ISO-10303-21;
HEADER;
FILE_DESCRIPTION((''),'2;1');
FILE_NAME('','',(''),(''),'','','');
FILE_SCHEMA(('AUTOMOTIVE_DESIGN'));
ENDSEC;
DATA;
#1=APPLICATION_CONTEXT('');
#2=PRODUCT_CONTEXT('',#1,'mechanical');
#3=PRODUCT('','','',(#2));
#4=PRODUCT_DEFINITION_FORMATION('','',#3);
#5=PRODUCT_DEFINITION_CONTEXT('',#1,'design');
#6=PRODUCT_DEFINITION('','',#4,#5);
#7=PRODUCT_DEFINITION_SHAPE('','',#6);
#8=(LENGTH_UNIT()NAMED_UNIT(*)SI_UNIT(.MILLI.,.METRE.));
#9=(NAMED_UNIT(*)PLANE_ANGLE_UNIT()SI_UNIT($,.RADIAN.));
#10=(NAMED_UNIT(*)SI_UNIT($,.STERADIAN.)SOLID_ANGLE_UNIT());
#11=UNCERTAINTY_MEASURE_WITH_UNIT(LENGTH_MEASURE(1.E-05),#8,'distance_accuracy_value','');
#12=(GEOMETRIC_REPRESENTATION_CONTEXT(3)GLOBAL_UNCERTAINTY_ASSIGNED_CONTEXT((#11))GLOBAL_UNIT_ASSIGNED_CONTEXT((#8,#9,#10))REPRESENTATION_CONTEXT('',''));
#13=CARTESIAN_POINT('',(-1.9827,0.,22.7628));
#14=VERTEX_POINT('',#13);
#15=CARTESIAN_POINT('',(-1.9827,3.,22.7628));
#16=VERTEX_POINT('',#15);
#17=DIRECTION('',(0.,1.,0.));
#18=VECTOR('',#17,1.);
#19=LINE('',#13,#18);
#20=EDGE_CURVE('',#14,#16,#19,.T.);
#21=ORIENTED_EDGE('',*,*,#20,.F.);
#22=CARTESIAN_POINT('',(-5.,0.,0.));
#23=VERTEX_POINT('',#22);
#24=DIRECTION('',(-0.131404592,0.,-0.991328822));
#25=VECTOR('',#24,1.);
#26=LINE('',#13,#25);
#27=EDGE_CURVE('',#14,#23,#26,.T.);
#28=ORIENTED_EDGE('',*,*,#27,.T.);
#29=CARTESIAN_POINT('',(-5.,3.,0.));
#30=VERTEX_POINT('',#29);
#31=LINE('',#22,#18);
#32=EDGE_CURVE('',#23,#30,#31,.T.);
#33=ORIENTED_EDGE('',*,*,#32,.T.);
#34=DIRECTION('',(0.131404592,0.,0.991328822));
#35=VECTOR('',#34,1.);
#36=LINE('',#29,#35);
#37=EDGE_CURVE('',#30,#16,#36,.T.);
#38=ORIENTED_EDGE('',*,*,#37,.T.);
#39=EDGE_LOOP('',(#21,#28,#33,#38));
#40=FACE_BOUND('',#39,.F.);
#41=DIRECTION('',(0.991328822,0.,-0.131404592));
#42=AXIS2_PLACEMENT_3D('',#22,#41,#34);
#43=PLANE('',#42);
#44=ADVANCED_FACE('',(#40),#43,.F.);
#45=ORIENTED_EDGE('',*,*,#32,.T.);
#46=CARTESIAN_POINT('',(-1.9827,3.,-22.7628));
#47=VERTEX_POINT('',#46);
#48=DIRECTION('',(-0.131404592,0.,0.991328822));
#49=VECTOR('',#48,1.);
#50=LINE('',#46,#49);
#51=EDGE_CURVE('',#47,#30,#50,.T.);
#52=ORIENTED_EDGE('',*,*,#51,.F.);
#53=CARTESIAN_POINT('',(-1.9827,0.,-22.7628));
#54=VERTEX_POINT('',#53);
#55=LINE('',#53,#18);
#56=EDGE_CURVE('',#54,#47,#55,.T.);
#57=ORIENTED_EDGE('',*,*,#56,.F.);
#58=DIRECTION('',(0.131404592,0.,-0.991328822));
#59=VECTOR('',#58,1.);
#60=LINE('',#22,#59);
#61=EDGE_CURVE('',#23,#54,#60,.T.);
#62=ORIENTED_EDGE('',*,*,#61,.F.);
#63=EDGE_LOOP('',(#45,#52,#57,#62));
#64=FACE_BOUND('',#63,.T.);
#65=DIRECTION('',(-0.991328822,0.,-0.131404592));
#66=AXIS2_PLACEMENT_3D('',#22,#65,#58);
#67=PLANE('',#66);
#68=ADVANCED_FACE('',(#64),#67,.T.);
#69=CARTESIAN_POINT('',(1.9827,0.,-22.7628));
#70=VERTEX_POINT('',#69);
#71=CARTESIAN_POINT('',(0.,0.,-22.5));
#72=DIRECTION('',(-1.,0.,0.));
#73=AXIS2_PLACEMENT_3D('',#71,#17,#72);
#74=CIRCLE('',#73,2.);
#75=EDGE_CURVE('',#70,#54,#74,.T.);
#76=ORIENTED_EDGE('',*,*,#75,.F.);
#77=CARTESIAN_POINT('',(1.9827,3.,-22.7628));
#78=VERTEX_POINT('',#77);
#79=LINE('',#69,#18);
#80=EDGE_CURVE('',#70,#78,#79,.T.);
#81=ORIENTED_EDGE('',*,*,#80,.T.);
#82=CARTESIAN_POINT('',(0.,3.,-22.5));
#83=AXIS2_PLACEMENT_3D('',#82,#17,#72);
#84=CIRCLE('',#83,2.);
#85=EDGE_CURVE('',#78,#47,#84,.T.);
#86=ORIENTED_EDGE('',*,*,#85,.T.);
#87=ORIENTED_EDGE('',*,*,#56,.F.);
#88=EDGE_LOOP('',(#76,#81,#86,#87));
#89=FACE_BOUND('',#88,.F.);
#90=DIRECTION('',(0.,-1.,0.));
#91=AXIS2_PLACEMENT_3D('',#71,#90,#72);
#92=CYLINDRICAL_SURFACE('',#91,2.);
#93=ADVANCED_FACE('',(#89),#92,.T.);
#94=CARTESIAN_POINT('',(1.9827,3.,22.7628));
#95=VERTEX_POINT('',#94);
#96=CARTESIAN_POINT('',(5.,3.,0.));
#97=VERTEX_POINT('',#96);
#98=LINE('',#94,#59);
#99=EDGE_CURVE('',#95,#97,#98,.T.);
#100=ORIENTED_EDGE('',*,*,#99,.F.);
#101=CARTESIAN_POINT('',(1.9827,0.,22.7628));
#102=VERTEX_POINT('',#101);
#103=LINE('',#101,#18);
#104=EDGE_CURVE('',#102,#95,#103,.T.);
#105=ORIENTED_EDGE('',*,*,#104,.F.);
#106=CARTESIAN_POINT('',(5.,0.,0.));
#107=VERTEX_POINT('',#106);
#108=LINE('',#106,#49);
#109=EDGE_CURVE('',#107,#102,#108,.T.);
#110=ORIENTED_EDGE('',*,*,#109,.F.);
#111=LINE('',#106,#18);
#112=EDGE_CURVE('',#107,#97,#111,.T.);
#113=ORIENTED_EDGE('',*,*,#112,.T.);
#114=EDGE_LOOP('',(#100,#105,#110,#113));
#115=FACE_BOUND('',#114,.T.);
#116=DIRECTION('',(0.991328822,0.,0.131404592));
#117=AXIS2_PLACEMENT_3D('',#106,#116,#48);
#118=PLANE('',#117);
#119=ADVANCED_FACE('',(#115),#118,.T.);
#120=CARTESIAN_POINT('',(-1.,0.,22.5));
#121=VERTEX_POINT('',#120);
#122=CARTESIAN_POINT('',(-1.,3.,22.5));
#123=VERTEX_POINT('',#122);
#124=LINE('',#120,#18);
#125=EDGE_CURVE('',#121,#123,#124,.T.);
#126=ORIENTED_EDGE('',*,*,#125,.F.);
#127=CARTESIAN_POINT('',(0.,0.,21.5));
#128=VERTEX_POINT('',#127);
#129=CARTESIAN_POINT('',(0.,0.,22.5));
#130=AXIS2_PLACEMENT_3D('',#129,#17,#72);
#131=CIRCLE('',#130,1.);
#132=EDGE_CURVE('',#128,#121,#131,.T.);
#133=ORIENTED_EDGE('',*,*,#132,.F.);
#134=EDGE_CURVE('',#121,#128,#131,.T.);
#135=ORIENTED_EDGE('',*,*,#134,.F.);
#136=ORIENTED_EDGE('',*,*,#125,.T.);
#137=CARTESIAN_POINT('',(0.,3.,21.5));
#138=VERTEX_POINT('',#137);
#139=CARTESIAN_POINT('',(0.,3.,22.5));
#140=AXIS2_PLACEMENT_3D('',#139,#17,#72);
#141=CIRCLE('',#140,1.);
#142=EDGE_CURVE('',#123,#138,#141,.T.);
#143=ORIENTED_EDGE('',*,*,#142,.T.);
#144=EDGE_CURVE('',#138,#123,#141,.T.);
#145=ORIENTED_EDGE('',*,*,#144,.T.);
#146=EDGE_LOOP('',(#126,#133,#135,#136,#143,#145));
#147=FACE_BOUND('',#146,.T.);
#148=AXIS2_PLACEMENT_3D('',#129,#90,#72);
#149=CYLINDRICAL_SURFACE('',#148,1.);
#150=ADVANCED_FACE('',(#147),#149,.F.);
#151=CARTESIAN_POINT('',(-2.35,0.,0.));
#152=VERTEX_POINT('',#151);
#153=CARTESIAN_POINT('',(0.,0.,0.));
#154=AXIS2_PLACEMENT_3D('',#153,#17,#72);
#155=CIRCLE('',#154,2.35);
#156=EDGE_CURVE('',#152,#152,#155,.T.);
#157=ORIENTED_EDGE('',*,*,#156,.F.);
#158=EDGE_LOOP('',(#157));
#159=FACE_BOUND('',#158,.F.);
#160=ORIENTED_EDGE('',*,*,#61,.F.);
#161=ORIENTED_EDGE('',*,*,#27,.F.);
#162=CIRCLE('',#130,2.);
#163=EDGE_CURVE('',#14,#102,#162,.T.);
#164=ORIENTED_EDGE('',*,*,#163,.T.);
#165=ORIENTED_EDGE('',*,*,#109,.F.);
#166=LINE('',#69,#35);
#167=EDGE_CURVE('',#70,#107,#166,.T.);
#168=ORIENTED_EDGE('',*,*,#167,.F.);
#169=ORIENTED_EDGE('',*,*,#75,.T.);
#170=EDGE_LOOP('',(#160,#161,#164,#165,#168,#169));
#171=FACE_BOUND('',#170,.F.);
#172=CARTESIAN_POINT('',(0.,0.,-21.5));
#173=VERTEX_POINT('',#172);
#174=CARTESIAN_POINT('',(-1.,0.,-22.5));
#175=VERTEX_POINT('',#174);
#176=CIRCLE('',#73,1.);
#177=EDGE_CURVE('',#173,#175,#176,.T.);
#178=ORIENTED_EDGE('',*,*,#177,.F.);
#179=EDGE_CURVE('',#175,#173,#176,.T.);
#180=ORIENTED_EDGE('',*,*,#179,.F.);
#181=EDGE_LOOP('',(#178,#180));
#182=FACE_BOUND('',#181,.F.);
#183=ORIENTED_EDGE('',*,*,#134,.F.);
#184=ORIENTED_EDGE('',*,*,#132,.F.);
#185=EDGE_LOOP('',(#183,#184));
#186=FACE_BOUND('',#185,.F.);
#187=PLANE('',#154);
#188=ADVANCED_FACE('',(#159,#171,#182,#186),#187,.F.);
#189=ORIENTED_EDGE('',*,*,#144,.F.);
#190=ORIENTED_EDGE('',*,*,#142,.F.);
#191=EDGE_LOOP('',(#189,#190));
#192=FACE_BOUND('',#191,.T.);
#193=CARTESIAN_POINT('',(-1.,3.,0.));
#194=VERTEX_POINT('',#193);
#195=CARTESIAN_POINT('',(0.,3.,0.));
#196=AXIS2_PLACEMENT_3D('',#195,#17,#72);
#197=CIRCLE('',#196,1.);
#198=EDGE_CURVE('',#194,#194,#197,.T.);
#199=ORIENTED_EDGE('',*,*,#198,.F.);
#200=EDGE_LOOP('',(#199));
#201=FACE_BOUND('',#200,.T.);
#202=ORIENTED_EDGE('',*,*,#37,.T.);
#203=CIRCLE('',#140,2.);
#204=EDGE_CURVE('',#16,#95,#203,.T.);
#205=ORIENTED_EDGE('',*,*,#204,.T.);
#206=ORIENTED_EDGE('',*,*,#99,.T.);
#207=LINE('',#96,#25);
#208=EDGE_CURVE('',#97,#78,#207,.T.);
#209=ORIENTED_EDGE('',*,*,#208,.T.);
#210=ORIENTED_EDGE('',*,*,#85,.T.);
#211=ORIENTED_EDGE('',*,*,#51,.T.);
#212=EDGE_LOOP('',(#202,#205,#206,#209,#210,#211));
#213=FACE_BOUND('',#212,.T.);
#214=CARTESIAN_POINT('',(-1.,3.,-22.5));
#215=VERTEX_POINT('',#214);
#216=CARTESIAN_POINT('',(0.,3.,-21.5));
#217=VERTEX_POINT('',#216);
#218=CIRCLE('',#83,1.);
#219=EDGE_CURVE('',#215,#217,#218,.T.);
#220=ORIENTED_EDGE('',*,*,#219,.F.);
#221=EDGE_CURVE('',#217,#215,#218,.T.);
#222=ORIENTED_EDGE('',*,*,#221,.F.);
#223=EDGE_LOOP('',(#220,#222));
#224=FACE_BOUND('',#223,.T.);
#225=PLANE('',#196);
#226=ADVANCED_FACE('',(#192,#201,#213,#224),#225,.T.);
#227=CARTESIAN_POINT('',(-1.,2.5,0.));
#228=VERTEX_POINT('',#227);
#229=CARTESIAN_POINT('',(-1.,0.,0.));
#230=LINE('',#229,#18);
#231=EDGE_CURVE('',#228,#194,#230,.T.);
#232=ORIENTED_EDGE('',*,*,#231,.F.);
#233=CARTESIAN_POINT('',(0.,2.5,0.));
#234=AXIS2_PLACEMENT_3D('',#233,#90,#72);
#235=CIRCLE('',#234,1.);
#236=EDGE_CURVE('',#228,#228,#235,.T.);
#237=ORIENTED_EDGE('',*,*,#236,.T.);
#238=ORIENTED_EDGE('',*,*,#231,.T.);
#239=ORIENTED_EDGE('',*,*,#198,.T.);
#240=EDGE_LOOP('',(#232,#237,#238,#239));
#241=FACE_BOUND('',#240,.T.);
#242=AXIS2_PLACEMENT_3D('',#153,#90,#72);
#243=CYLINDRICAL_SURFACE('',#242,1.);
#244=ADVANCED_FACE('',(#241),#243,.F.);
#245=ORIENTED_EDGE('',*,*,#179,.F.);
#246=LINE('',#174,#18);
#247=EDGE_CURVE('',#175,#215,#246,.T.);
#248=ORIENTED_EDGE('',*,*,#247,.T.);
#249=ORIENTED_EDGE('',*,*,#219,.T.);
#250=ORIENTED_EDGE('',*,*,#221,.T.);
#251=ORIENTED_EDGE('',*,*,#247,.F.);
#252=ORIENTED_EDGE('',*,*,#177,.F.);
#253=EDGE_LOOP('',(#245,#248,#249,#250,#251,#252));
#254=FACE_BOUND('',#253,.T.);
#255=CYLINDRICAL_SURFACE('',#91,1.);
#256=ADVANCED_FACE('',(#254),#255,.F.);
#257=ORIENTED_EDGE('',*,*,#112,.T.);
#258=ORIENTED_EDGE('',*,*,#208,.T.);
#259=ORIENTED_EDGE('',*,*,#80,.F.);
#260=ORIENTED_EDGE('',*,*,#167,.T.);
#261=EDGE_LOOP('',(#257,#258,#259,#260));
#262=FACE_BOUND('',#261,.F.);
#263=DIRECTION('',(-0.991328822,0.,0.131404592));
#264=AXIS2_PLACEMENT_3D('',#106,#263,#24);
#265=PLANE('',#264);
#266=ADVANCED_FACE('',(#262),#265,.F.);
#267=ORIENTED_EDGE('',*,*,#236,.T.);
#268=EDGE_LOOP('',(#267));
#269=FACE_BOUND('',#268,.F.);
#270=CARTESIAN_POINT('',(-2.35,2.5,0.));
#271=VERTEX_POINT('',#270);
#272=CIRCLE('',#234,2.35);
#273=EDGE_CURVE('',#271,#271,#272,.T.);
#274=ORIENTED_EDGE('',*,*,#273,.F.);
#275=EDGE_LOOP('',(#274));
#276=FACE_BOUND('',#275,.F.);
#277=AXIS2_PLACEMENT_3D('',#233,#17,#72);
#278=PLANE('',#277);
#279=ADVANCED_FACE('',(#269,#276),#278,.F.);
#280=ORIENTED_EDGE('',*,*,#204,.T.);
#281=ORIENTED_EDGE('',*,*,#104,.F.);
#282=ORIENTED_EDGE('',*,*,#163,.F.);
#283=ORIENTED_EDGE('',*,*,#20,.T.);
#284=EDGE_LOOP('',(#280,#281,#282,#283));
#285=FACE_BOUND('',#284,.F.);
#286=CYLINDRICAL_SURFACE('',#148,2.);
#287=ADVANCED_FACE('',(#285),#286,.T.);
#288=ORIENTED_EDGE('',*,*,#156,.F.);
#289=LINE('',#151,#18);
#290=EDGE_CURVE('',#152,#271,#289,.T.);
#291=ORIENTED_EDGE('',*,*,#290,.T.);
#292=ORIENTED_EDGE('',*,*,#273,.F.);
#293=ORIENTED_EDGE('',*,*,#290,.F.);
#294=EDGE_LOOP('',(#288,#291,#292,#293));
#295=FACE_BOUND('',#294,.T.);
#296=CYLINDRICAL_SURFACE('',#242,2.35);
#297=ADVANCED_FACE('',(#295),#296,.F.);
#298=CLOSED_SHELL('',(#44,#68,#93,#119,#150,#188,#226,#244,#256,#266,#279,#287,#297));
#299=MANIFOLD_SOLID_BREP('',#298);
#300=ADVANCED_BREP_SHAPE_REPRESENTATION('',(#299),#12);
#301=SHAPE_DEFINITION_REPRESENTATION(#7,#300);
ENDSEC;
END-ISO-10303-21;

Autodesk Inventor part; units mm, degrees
ref_plane "YZ Plane" through (0, 0, 0) normal (1, 0, 0) x (0, 1, 0)
ref_plane "XZ Plane" through (0, 0, 0) normal (0, 1, 0) x (-1, 0, 0)
ref_plane "XY Plane" through (0, 0, 0) normal (0, 0, 1) x (1, 0, 0)
sketch "Sketch1" plane through (0, 0, 0) normal (0, 1, 0) x (-1, 0, 0)
  circle A0 centre (0, 0) radius 2.35
  line L0 (0, 0) -> (0, -22.5)
  line L1 (0, 0) -> (0, 22.5)
  circle A1 centre (0, -22.5) radius 1
  circle A2 centre (0, 22.5) radius 1
  circle A3 centre (0, -22.5) radius 2
  circle A4 centre (0, 22.5) radius 2
  circle A5 centre (0, 0) radius 5
  line L2 (5, 0) -> (1.9827, 22.7628)
  line L3 (-5, 0) -> (-1.9827, 22.7628)
  line L4 (-5, 0) -> (-1.9827, -22.7628)
  line L5 (5, 0) -> (1.9827, -22.7628)
  circle A6 centre (0, 0) radius 1
  dimension "d0" = 4.7
  dimension "d1" = 22.5
  dimension "d2" = 22.5
  dimension "d3" = 2
  dimension "d4" = 2
  dimension "d5" = 4
  dimension "d6" = 4
  dimension "d7" = 10
  dimension "d8" = 2
extrude "Extrusion1" add sketch "Sketch1" along normal blind 3 contours A0 L0 A6 L1 | A0 L1 A5 L2 L5 L0 | L1 A6 L0 A0 | A0 L0 A5 L4 L3 L1 | A5 L3 A4 L1 | L1 A4 L2 A5 | A5 L5 A3 L0 | L0 A3 L4 A5 | A4 | A3
extrude "Extrusion2" cut sketch "Sketch1" along normal blind 2.5 contours A0 L0 A6 L1 | L1 A6 L0 A0
properties part number "ServoXAxis"
